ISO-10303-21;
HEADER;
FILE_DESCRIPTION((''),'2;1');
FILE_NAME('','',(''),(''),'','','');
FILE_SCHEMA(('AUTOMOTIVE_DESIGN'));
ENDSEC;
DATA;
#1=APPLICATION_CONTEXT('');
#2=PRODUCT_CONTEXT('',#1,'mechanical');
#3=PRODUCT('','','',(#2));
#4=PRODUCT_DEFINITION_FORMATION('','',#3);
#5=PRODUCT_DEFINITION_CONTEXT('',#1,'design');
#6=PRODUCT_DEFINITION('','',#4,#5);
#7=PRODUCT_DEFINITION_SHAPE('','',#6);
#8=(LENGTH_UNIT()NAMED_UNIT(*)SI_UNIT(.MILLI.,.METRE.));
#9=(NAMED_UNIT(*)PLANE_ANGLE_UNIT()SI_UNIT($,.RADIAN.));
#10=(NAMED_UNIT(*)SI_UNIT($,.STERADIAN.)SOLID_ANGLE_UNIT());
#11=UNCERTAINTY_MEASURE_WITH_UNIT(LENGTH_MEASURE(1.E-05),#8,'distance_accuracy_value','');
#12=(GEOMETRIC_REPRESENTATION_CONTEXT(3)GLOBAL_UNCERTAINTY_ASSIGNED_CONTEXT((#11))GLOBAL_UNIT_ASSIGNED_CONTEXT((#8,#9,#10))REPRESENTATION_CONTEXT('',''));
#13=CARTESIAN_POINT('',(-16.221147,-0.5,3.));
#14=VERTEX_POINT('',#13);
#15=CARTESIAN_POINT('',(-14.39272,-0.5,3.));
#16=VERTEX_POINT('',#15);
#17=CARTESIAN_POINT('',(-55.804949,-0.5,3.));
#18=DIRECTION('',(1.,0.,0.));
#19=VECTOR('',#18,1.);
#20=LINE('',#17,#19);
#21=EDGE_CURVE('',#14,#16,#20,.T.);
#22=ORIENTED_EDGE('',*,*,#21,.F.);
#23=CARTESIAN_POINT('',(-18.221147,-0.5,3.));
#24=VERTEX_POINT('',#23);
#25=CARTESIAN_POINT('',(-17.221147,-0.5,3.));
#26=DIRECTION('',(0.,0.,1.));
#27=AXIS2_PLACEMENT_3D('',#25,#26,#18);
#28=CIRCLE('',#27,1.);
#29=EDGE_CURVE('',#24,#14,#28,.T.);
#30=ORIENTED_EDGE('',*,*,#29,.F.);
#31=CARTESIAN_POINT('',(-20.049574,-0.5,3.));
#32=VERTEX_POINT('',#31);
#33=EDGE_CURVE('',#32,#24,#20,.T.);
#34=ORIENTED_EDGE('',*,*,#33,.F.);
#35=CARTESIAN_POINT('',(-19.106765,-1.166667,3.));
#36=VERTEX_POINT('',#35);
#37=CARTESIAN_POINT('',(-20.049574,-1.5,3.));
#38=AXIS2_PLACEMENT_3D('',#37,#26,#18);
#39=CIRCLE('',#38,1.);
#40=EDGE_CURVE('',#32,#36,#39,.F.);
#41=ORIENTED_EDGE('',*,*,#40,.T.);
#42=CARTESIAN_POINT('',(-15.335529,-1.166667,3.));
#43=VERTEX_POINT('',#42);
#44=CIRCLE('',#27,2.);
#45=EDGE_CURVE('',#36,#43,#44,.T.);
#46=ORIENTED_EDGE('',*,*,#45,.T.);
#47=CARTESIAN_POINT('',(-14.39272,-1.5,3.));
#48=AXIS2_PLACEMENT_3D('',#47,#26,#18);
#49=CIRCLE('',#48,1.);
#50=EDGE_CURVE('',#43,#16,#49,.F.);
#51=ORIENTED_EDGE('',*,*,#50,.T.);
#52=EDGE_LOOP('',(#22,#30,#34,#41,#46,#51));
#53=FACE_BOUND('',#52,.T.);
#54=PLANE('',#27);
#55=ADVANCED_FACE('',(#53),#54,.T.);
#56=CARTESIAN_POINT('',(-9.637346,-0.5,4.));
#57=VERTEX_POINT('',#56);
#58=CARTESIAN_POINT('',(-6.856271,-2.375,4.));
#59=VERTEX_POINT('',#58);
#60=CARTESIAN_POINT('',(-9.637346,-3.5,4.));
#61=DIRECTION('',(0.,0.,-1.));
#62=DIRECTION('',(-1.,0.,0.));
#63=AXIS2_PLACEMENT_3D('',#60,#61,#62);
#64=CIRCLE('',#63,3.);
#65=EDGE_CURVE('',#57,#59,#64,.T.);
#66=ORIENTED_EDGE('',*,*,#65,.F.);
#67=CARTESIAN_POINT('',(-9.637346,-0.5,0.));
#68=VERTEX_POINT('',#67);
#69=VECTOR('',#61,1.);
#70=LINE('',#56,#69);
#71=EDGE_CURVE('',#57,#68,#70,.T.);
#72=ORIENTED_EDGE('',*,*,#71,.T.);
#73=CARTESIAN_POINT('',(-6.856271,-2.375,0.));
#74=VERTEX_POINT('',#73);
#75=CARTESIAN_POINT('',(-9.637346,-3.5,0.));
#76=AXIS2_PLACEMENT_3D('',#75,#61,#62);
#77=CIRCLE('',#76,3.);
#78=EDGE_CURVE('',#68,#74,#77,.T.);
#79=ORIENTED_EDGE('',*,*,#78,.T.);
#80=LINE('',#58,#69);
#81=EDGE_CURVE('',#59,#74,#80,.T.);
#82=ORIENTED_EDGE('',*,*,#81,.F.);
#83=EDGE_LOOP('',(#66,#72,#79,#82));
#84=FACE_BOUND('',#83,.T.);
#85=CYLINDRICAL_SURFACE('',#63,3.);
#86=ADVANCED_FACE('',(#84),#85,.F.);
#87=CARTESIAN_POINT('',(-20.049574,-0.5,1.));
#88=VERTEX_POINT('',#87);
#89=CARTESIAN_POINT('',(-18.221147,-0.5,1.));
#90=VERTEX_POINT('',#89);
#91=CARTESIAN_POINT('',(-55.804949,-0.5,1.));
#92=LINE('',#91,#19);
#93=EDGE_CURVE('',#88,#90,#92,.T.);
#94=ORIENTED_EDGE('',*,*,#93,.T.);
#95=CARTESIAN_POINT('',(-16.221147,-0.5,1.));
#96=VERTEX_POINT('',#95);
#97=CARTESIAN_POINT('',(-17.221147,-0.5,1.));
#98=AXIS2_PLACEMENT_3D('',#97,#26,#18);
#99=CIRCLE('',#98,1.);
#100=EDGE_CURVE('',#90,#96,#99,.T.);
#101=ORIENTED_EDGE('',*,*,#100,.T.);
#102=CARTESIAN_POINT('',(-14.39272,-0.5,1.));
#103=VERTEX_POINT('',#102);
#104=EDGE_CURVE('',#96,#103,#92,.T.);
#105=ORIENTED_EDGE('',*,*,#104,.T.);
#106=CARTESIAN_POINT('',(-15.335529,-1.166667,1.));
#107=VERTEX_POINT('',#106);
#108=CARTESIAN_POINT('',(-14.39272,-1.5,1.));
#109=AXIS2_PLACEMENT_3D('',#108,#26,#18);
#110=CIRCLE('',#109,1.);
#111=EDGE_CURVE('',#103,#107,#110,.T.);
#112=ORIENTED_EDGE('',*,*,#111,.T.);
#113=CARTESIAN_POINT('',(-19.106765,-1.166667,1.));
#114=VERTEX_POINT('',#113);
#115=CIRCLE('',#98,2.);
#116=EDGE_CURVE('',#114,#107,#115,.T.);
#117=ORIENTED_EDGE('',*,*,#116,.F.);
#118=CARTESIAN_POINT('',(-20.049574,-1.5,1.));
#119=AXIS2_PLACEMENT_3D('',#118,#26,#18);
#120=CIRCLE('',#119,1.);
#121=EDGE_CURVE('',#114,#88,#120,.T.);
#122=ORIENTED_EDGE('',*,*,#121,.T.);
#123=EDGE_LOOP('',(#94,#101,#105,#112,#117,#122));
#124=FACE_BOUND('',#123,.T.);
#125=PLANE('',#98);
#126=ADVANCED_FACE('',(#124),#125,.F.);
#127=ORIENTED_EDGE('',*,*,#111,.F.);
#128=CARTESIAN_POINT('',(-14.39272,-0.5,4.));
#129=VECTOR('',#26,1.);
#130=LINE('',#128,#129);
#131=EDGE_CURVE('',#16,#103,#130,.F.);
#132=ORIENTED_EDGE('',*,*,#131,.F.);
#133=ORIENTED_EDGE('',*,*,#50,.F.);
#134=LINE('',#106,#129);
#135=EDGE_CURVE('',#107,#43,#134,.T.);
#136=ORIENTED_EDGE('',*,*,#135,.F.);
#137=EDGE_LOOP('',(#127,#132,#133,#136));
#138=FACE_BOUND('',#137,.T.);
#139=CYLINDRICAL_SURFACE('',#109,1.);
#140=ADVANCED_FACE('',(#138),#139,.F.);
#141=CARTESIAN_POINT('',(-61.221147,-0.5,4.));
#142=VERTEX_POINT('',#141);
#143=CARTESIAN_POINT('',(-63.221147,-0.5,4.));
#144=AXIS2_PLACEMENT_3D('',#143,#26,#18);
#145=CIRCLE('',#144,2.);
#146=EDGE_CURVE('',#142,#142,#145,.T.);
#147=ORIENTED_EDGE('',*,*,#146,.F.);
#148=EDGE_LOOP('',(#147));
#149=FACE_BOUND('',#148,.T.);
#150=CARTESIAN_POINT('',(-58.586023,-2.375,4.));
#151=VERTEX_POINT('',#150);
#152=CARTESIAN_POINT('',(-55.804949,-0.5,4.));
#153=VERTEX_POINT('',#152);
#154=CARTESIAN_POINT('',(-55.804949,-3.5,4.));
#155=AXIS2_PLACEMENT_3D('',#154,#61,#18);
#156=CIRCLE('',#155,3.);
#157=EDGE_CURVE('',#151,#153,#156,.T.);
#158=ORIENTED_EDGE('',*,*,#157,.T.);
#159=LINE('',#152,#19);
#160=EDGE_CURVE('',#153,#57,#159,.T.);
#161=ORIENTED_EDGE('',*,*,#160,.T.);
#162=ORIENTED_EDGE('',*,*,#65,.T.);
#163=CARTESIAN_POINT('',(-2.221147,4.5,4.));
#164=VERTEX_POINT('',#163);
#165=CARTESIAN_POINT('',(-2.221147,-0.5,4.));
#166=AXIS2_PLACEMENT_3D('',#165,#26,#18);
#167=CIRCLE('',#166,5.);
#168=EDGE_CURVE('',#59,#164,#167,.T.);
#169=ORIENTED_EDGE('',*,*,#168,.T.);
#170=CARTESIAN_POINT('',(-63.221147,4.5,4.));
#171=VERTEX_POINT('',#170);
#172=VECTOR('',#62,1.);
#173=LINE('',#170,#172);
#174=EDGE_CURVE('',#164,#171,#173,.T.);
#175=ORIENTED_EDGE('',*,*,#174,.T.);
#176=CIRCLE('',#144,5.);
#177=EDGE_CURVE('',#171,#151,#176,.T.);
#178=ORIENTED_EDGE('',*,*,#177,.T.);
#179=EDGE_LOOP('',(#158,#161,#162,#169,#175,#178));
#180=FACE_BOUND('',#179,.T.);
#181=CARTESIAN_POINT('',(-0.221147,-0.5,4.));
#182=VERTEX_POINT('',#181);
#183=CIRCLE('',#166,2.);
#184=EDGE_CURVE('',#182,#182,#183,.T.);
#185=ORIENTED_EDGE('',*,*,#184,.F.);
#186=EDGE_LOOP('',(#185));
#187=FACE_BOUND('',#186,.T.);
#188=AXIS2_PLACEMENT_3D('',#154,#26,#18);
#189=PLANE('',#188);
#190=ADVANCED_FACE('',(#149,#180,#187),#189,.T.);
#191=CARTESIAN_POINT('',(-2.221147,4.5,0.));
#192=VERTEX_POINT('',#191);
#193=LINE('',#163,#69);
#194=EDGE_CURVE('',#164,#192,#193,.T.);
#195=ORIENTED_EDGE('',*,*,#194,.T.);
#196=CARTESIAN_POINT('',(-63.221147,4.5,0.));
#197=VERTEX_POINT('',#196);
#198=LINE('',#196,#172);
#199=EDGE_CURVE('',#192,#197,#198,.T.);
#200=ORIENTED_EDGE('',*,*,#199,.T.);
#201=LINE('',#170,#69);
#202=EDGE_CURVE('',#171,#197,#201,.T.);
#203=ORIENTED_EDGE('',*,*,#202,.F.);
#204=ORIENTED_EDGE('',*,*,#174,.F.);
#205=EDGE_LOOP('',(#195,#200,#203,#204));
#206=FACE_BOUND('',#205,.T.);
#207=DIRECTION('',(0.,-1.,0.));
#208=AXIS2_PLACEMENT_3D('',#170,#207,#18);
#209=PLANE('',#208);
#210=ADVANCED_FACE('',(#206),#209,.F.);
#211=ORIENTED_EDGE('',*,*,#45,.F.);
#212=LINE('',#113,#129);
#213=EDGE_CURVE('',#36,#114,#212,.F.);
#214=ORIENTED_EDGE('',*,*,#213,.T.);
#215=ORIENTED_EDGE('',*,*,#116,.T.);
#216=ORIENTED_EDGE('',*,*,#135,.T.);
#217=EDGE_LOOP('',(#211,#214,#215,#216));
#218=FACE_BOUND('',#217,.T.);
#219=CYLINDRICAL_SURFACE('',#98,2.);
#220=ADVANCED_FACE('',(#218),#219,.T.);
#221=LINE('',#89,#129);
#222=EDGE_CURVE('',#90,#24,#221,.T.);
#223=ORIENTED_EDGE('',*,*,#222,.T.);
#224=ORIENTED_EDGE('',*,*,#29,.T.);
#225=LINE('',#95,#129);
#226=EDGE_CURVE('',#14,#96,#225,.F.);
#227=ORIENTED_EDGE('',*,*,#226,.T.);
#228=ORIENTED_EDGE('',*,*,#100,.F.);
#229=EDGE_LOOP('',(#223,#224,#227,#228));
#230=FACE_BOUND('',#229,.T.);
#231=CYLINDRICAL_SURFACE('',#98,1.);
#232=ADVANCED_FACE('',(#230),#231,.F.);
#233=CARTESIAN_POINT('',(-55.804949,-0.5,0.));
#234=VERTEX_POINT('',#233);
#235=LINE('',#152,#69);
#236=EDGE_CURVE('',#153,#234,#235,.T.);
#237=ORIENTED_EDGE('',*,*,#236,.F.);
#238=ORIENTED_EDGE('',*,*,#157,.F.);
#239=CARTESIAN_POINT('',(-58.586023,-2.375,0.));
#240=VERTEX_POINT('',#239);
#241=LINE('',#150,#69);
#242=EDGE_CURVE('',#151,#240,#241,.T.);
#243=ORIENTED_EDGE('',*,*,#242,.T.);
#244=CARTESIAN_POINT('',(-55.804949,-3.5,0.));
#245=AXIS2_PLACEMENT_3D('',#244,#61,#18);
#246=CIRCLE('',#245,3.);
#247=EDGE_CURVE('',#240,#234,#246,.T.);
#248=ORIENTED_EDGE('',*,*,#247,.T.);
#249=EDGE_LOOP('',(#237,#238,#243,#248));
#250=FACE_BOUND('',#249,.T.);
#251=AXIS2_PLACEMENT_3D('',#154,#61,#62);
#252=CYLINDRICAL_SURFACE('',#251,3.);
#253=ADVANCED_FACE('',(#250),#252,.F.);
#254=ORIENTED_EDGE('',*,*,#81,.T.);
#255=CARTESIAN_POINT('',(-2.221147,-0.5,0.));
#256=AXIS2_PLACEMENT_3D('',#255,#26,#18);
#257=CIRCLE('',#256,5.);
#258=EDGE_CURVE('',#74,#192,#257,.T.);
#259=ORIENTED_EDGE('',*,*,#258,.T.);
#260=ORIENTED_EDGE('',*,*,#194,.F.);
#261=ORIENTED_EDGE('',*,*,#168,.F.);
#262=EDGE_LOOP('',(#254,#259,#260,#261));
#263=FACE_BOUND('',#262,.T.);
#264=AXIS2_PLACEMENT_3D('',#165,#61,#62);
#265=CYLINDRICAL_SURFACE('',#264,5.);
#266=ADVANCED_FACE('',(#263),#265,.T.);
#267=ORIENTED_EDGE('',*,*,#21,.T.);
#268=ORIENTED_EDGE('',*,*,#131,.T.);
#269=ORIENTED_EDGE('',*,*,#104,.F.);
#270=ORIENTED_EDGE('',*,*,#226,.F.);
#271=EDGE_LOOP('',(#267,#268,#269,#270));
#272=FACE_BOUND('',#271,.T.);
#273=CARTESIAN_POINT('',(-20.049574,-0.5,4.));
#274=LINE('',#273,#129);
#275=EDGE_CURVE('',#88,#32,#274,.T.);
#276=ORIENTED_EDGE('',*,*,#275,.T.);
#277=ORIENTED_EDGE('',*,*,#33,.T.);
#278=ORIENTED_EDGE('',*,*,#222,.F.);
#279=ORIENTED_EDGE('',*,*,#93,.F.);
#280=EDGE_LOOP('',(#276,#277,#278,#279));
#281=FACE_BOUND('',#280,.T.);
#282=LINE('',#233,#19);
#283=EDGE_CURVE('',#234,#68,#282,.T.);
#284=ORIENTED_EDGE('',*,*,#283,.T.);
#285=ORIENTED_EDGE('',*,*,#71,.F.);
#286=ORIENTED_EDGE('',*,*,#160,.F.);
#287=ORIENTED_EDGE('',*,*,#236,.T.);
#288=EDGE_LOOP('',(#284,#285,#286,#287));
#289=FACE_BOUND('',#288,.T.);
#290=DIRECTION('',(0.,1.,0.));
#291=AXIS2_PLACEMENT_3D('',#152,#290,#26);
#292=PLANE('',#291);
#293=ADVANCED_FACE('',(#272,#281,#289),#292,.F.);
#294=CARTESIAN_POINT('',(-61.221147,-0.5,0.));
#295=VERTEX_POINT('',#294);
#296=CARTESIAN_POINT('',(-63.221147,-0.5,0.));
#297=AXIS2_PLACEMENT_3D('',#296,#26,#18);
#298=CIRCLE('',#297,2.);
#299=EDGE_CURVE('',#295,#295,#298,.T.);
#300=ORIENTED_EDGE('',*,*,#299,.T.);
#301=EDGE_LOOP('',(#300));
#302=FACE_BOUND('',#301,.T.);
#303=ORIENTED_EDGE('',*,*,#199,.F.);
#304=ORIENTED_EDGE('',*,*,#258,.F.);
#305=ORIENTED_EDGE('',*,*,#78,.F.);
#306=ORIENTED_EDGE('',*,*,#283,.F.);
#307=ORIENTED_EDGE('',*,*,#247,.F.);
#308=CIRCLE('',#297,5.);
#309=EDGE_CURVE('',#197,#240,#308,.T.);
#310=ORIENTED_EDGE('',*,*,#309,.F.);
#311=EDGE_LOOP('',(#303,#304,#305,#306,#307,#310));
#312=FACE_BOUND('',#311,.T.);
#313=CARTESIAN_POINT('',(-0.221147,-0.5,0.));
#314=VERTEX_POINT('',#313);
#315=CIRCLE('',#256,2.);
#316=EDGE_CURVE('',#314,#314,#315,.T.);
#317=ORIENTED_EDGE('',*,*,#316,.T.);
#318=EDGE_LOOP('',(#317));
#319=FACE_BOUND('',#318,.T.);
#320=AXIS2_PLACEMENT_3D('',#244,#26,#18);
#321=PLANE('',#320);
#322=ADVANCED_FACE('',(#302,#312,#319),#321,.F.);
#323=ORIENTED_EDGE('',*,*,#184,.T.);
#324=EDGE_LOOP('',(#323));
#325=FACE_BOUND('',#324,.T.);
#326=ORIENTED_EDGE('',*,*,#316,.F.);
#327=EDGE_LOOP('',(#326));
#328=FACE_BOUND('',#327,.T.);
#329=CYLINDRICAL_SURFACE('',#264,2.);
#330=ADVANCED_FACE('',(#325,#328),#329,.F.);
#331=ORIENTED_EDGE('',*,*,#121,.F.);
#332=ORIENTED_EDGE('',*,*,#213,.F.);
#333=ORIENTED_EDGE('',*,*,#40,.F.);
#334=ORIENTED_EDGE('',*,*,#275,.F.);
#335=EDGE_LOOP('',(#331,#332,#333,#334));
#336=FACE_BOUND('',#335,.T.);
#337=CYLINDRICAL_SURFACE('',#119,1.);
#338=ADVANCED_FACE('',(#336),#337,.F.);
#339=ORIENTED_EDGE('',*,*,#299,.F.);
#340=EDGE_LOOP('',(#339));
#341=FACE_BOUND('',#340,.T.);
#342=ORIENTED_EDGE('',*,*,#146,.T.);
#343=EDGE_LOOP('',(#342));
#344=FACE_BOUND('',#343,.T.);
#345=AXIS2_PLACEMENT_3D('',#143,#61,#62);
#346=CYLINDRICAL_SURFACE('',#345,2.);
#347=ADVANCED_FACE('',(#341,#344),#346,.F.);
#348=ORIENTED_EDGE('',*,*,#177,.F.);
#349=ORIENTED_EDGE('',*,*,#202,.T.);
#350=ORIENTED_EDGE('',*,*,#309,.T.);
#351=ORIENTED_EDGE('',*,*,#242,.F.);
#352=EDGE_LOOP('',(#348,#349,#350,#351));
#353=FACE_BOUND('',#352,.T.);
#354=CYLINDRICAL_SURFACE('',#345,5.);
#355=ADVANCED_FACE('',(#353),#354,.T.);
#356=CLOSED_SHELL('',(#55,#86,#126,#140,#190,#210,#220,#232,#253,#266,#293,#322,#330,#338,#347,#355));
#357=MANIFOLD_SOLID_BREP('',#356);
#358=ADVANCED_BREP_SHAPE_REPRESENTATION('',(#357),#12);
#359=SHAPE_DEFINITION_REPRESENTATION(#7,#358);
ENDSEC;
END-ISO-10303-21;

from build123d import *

# Parameters (mm, degrees)
SKETCH1_R           = 2
BOSS_EXTRUDE1_DEPTH = 4
BOSS_EXTRUDE3_START = -1
SKETCH3_R           = 2
SKETCH3_R_2         = 1
BOSS_EXTRUDE3_DEPTH = 2
FILLET1_R           = 1


with BuildPart() as part:
    # Sketch1 → Boss-Extrude1 (new body)
    with BuildSketch(Plane.XY):
        with BuildLine():
            Line((-63.221147144, 4.5), (-2.221147144, 4.5))
            ThreePointArc((-2.221147144, 4.5), (1.924633844, -3.295084972), (-6.856271198, -2.375))
            ThreePointArc((-6.856271198, -2.375), (-7.960294648, -1.012531407), (-9.637345631, -0.5))
            Line((-9.637345631, -0.5), (-55.804948657, -0.5))
            ThreePointArc((-55.804948657, -0.5), (-57.48199964, -1.012531407), (-58.586023089, -2.375))
            ThreePointArc((-58.586023089, -2.375), (-67.366928132, -3.295084972), (-63.221147144, 4.5))
        make_face()
        with Locations((-63.221147144, -0.5)):
            Circle(SKETCH1_R, mode=Mode.SUBTRACT)
        with Locations((-2.221147144, -0.5)):
            Circle(SKETCH1_R, mode=Mode.SUBTRACT)
    extrude(amount=BOSS_EXTRUDE1_DEPTH)

    # Sketch3 → Boss-Extrude3 (add)
    with BuildSketch(Plane.XY.offset(4).offset(BOSS_EXTRUDE3_START)):
        with Locations((-17.221147144, -0.5)):
            Circle(SKETCH3_R)
        with Locations((-17.221147144, -0.5)):
            Circle(SKETCH3_R_2, mode=Mode.SUBTRACT)
    extrude(amount=-BOSS_EXTRUDE3_DEPTH)

    # Fillet1
    fillet1_edges = [part.edges().sort_by_distance(p)[0] for p in [
        (-15.221147144, -0.5, 2),
        (-19.221147144, -0.5, 2),
    ]]
    fillet(fillet1_edges, radius=FILLET1_R)


solid = part.part
